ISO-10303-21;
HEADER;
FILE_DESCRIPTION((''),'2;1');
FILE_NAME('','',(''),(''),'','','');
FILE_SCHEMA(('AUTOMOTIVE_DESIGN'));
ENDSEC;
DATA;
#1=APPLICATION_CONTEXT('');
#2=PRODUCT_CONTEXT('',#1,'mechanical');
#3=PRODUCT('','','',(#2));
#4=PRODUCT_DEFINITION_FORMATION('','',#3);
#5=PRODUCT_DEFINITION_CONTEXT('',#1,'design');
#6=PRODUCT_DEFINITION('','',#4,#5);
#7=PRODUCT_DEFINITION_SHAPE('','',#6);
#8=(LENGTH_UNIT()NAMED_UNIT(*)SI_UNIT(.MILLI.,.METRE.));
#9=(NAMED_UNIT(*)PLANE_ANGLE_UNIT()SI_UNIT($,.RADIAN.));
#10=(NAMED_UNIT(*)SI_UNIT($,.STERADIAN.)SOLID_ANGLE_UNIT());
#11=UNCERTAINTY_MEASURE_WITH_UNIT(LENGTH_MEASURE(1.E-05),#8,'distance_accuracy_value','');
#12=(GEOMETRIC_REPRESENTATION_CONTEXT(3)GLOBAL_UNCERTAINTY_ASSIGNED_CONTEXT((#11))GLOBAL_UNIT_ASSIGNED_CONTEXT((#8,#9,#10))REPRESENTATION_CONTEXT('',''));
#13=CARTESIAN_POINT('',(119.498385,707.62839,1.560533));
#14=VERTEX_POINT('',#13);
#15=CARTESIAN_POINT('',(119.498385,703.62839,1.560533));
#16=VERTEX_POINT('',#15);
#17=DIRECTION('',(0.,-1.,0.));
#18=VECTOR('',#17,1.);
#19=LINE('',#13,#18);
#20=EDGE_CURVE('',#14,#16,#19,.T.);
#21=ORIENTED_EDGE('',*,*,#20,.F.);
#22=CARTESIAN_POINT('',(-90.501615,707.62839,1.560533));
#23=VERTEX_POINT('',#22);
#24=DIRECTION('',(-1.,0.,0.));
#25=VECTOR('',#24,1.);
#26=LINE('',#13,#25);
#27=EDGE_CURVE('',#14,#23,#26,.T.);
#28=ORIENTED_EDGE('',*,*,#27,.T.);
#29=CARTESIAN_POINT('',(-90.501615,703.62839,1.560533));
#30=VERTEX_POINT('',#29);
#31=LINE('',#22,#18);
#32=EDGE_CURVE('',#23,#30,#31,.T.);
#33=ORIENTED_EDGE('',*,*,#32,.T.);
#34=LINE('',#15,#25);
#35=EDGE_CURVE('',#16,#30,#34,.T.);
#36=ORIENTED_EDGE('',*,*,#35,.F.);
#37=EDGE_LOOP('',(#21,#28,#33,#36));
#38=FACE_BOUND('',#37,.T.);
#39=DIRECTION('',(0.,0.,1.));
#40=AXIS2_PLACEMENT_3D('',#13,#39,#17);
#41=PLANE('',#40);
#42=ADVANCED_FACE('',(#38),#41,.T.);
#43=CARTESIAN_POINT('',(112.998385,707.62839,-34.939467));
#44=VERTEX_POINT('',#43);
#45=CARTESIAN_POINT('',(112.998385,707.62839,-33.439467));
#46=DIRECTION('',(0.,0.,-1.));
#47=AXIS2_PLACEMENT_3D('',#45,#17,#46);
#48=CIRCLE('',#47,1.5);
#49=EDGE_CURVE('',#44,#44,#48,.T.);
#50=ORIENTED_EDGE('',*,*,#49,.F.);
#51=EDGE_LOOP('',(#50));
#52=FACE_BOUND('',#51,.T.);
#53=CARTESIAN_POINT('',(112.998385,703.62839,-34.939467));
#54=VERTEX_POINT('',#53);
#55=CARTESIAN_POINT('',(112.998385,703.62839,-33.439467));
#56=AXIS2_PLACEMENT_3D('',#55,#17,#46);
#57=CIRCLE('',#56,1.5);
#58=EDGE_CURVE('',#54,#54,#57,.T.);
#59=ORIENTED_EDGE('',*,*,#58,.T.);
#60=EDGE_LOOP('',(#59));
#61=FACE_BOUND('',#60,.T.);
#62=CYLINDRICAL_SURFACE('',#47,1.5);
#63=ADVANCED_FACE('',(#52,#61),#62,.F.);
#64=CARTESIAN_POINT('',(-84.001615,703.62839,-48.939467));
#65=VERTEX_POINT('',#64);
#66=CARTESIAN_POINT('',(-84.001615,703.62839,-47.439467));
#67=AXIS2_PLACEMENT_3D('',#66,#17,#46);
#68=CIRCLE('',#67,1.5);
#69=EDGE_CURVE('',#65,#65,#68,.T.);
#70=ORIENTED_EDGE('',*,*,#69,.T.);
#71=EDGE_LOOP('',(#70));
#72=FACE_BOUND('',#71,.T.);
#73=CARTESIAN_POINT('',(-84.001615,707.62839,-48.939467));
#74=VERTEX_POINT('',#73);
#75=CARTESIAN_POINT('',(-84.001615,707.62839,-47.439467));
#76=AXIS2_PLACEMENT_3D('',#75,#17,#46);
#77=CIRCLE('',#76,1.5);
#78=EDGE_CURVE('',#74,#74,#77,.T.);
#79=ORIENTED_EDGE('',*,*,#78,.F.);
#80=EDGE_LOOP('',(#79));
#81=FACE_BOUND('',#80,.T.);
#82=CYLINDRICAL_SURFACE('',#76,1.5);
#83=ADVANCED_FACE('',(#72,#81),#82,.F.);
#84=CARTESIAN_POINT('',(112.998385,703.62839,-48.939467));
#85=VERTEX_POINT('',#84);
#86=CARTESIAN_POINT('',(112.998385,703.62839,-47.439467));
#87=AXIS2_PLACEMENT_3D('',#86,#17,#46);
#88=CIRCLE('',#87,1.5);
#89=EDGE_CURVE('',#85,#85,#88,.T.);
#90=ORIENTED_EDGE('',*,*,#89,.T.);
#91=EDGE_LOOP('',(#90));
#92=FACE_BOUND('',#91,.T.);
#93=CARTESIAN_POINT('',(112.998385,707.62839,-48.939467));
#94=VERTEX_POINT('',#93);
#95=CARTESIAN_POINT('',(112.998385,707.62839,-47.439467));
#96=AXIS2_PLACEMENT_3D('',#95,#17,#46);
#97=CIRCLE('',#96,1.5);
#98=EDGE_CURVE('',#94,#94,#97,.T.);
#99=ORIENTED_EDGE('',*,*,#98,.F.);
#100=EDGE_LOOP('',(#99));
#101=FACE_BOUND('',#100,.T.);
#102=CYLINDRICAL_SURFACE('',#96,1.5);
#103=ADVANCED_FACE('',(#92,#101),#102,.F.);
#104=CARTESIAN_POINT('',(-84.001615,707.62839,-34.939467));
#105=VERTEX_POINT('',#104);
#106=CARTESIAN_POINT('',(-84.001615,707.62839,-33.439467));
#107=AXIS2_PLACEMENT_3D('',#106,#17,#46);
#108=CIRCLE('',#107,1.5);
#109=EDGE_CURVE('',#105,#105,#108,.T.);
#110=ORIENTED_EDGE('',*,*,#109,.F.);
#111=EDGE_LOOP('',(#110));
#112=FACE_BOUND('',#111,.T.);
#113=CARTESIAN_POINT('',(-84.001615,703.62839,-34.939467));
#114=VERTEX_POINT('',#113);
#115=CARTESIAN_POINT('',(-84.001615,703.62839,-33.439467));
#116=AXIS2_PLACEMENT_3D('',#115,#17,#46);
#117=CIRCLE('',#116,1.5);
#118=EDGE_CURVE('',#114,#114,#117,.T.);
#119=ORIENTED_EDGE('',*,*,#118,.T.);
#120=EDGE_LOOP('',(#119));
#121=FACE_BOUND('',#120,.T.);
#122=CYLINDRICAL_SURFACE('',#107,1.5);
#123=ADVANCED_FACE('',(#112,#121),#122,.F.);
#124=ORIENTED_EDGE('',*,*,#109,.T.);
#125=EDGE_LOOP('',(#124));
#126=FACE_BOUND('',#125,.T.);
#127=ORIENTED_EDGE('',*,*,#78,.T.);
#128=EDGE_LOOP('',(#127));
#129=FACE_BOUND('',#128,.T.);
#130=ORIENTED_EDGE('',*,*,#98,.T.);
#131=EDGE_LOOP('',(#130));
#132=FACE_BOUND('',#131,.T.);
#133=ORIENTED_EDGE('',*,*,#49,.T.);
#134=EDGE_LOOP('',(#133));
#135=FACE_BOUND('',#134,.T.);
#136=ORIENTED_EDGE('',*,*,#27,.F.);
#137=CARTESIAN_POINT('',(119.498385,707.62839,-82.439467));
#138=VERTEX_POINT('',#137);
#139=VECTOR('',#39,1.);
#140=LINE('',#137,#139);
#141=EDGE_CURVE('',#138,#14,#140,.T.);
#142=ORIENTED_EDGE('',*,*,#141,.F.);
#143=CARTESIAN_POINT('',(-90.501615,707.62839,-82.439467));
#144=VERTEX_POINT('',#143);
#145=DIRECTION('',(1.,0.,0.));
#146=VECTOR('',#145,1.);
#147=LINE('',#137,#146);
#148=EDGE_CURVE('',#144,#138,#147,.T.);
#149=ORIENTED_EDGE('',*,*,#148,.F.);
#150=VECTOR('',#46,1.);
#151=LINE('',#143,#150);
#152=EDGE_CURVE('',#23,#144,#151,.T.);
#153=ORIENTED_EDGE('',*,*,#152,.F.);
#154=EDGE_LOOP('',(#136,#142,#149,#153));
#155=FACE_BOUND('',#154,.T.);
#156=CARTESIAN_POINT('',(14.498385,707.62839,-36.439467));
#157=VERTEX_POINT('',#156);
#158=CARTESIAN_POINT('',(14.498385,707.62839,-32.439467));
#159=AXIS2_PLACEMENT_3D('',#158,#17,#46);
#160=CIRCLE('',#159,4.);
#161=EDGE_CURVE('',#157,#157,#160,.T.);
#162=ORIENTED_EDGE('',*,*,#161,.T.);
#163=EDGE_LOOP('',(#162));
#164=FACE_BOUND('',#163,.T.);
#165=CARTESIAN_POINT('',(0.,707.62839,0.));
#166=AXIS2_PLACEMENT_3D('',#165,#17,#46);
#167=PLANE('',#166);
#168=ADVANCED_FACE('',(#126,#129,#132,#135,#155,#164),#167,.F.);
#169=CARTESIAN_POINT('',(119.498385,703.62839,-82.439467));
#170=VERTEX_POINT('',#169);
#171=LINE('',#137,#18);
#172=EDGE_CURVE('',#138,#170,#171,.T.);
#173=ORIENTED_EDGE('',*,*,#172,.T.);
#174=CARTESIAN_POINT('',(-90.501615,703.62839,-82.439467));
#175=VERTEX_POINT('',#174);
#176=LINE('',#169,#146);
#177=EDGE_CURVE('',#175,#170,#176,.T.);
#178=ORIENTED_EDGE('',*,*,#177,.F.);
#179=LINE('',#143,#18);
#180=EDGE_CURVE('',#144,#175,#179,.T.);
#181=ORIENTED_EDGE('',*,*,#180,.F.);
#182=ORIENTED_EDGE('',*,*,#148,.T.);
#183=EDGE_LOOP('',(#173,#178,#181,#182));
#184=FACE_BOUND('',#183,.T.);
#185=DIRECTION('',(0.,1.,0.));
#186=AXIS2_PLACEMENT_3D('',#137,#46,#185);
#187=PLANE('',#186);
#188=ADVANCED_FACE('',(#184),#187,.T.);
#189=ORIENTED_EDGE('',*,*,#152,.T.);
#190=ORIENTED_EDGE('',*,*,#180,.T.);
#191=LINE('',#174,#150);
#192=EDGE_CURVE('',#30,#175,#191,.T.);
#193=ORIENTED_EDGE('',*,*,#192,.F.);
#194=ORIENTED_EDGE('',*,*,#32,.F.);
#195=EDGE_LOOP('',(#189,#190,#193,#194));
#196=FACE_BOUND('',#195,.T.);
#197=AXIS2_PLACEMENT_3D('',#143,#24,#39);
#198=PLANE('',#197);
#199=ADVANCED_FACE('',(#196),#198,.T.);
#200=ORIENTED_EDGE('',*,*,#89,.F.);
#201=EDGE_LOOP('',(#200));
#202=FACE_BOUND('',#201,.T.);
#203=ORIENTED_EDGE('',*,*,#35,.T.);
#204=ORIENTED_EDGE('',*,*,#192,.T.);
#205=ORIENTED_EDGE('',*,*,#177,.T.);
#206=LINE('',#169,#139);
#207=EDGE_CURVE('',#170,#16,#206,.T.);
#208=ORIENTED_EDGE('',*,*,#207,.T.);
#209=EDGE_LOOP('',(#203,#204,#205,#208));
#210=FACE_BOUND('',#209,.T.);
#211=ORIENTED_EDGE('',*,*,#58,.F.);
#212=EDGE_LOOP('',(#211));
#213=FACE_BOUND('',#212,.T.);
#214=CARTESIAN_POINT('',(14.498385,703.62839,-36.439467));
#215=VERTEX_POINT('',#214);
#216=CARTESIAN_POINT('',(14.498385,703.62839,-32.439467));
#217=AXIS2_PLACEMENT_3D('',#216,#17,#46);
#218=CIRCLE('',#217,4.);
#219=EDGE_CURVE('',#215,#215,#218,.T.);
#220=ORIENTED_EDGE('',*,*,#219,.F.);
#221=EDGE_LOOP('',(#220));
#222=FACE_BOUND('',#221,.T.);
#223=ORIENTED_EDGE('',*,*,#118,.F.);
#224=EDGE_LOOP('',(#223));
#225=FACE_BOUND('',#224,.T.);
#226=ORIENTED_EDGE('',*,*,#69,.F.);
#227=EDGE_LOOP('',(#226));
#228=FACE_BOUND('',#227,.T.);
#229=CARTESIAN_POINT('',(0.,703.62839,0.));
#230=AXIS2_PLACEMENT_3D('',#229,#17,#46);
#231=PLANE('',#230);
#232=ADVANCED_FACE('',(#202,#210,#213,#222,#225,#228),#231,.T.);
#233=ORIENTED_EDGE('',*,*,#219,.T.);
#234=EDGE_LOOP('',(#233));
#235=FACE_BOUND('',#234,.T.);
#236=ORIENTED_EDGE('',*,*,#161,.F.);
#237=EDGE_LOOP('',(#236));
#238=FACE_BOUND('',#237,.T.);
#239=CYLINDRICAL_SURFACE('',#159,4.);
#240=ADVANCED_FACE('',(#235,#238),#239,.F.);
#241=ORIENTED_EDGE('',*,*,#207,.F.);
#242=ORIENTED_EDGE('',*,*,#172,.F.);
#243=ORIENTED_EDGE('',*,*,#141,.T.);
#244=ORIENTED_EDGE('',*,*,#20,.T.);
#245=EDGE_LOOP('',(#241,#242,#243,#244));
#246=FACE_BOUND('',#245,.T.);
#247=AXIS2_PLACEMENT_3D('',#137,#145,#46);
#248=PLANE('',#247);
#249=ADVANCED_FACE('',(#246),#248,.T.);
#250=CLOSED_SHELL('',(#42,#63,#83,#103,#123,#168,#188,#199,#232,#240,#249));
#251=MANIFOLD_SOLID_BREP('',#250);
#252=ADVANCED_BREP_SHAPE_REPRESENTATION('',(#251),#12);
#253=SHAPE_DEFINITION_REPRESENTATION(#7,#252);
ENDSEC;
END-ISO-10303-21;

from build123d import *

# Parameters (mm, degrees)
CROQUIS2_W              = 210
CROQUIS2_H              = 84
CROQUIS2_R              = 4
CROQUIS2_R_2            = 1.5
SALIENTE_EXTRUIR1_DEPTH = 4


with BuildPart() as part:
    # Croquis2 → Saliente-Extruir1 (new body)
    with BuildSketch(Plane(origin=(-13.73192422, 703.628389678, -26.324312824), x_dir=(-1, 0, 0), z_dir=(0, -1, 0))):
        with Locations((-28.230309316, 14.115154658)):
            Rectangle(CROQUIS2_W, CROQUIS2_H)
        with Locations(Location((-28.230309316, 6.115154658, 0), (0, 0, 90))):
            Circle(CROQUIS2_R, mode=Mode.SUBTRACT)
        with Locations(Location((-126.730309316, 7.115154658, 0), (0, 0, 90))):
            Circle(CROQUIS2_R_2, mode=Mode.SUBTRACT)
        with Locations(Location((-126.730309316, 21.115154658, 0), (0, 0, 90))):
            Circle(CROQUIS2_R_2, mode=Mode.SUBTRACT)
        with Locations(Location((70.269690684, 21.115154658, 0), (0, 0, 90))):
            Circle(CROQUIS2_R_2, mode=Mode.SUBTRACT)
        with Locations(Location((70.269690684, 7.115154658, 0), (0, 0, 90))):
            Circle(CROQUIS2_R_2, mode=Mode.SUBTRACT)
    extrude(amount=-SALIENTE_EXTRUIR1_DEPTH)


solid = part.part
